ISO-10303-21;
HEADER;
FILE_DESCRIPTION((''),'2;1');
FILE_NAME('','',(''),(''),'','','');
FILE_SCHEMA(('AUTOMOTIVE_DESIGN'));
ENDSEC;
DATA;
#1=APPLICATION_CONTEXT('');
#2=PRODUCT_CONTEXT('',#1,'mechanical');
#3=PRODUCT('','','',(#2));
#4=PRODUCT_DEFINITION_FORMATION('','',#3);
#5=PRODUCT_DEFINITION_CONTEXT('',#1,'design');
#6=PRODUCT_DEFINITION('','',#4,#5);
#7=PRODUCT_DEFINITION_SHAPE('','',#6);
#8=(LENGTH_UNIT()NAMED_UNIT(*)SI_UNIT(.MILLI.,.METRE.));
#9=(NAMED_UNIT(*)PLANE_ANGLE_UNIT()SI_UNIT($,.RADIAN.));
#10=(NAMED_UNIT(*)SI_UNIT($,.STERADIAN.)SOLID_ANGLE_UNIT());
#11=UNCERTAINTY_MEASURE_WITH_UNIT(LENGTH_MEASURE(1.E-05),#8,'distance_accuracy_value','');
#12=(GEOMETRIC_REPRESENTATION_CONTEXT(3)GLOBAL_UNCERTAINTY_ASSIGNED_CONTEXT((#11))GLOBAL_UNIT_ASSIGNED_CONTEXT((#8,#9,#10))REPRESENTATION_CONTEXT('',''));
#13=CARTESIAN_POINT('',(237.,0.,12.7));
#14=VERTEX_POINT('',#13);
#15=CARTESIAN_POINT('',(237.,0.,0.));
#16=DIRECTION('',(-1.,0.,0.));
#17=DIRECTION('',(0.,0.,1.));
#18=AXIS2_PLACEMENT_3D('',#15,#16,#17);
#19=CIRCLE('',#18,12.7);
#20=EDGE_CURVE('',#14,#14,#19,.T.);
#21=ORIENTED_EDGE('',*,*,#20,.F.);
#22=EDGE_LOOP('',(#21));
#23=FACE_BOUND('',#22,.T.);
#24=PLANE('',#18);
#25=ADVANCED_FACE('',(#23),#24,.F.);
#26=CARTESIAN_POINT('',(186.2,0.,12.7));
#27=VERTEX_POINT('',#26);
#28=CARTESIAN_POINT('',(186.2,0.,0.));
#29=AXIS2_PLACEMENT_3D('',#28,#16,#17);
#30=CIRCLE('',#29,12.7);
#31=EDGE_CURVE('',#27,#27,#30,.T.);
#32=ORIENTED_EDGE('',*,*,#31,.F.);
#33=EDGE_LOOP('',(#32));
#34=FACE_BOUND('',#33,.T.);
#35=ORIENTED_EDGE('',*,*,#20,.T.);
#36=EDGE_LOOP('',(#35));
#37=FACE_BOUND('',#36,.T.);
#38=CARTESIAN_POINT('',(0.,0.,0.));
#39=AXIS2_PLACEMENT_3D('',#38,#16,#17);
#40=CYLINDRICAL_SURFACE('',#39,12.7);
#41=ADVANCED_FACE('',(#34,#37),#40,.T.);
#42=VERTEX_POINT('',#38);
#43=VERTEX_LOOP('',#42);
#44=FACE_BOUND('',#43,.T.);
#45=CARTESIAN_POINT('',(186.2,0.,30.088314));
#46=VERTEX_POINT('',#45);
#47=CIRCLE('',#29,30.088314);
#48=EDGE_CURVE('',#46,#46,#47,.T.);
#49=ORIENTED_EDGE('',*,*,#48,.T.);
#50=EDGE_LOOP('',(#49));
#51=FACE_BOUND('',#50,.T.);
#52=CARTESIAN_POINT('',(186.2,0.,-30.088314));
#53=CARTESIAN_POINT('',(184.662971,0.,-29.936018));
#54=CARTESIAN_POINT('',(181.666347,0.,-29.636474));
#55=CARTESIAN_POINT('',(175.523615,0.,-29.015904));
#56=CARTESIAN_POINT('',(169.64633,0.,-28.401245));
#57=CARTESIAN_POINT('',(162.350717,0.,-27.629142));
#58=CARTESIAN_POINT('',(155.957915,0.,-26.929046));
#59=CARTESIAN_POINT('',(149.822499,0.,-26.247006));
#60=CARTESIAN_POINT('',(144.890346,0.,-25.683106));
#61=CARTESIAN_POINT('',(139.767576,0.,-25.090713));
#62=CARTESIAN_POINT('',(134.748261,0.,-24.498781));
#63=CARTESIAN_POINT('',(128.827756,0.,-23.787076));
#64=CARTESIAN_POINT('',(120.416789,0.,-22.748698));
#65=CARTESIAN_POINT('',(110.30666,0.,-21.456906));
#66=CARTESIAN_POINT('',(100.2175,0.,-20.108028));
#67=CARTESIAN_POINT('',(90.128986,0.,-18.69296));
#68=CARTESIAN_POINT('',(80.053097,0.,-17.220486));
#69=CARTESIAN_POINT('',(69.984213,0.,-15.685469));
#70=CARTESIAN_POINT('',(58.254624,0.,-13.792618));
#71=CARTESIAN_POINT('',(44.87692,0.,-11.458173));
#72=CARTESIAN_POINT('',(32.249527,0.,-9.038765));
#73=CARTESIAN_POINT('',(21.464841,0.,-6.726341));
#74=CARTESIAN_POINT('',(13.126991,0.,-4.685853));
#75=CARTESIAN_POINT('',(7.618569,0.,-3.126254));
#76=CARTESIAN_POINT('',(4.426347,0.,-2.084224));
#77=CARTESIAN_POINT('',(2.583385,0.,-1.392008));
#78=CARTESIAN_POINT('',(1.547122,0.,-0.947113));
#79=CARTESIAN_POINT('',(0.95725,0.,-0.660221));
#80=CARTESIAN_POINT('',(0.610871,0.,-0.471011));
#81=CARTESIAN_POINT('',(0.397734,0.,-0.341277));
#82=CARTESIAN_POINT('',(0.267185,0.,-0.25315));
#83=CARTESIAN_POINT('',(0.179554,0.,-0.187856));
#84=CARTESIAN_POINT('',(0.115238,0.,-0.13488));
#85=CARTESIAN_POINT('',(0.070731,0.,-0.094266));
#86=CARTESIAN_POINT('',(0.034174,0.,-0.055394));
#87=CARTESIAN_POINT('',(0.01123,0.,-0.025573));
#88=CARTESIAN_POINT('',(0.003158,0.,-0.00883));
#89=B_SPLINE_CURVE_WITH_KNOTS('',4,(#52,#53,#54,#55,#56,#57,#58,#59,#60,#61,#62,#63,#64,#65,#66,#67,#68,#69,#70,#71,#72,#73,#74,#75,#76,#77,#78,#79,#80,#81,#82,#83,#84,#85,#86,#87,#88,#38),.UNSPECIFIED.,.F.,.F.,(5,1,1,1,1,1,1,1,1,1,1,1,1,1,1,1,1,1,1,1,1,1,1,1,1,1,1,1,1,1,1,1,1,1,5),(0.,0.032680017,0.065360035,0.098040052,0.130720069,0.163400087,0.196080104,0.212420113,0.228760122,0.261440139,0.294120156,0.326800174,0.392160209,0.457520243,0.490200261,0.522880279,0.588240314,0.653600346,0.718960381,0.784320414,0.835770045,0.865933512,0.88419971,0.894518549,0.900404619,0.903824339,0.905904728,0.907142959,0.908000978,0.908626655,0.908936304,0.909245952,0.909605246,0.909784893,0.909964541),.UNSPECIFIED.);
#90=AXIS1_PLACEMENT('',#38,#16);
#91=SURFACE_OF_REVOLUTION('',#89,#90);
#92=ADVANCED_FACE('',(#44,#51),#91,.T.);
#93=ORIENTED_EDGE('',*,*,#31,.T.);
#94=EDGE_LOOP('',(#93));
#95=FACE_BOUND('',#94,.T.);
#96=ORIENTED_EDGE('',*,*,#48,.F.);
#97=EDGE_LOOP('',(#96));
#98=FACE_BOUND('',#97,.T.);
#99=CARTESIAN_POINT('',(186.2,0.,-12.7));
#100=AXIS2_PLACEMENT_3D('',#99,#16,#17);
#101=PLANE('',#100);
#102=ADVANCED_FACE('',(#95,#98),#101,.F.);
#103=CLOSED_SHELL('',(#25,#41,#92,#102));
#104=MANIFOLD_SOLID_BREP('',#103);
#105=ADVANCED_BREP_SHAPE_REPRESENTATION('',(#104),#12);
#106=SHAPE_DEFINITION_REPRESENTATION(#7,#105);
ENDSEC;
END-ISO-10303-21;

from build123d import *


with BuildPart() as part:
    # Sketch1 → Revolve1 (revolve)
    with BuildSketch(Plane(origin=(0, 0, 0), x_dir=(1, 0, 0), z_dir=(0, 1, 0)), mode=Mode.PRIVATE) as revolve1_sk:
        with BuildLine():
            Line((0, 0), (237, 0))
            Line((237, 0), (237, 12.7))
            Line((237, 12.7), (186.200000001, 12.7))
            Line((186.200000001, 12.7), (186.200000001, 30.088313688))
            add(Edge.make_bspline(
                [(0, 0), (0.003158286, 0.008829813), (0.011229963, 0.025572562), (0.034173952, 0.055394335), (0.070730621, 0.094265852), (0.115237936, 0.13487999), (0.179553821, 0.187856384), (0.267185048, 0.253150012), (0.397734037, 0.341277271), (0.610871439, 0.471010948), (0.957250279, 0.66022061), (1.547122185, 0.947112728), (2.583385336, 1.392008475), (4.426346664, 2.084223597), (7.618568962, 3.126254483), (13.126991419, 4.685853354), (21.464841311, 6.726340541), (32.249527339, 9.038765252), (44.876919941, 11.458172514), (58.254624304, 13.792618458), (69.984213357, 15.685468886), (80.05309686, 17.220485599), (90.128985738, 18.692959915), (100.2174998, 20.108027689), (110.306660177, 21.456906321), (120.416788561, 22.748698481), (128.82775593, 23.787076006), (134.748260742, 24.498780815), (139.767576372, 25.090713467), (144.890346289, 25.683106453), (149.822499028, 26.247006409), (155.957915428, 26.929045801), (162.350717259, 27.629141752), (169.646330146, 28.401245318), (175.523614971, 29.015904278), (181.666346717, 29.636473719), (184.662971425, 29.936018172), (186.200000001, 30.088313688)],
                knots=[0, 0, 0, 0, 0, 0.000179647, 0.000359294, 0.000718589, 0.001028237, 0.001337886, 0.001963562, 0.002821582, 0.004059812, 0.006140202, 0.009559921, 0.015445992, 0.02576483, 0.044031029, 0.074194495, 0.125644126, 0.19100416, 0.256364194, 0.321724227, 0.387084262, 0.41976428, 0.452444297, 0.517804332, 0.583164367, 0.615844384, 0.648524402, 0.681204419, 0.697544428, 0.713884437, 0.746564454, 0.779244471, 0.811924489, 0.844604506, 0.877284523, 0.909964541, 0.909964541, 0.909964541, 0.909964541, 0.909964541], degree=4))
        make_face()
    revolve(revolve1_sk.sketch.rotate(Axis((0, 0, 0), (1, 0, 0)), 180), axis=Axis((0, 0, 0), (1, 0, 0)))


solid = part.part
